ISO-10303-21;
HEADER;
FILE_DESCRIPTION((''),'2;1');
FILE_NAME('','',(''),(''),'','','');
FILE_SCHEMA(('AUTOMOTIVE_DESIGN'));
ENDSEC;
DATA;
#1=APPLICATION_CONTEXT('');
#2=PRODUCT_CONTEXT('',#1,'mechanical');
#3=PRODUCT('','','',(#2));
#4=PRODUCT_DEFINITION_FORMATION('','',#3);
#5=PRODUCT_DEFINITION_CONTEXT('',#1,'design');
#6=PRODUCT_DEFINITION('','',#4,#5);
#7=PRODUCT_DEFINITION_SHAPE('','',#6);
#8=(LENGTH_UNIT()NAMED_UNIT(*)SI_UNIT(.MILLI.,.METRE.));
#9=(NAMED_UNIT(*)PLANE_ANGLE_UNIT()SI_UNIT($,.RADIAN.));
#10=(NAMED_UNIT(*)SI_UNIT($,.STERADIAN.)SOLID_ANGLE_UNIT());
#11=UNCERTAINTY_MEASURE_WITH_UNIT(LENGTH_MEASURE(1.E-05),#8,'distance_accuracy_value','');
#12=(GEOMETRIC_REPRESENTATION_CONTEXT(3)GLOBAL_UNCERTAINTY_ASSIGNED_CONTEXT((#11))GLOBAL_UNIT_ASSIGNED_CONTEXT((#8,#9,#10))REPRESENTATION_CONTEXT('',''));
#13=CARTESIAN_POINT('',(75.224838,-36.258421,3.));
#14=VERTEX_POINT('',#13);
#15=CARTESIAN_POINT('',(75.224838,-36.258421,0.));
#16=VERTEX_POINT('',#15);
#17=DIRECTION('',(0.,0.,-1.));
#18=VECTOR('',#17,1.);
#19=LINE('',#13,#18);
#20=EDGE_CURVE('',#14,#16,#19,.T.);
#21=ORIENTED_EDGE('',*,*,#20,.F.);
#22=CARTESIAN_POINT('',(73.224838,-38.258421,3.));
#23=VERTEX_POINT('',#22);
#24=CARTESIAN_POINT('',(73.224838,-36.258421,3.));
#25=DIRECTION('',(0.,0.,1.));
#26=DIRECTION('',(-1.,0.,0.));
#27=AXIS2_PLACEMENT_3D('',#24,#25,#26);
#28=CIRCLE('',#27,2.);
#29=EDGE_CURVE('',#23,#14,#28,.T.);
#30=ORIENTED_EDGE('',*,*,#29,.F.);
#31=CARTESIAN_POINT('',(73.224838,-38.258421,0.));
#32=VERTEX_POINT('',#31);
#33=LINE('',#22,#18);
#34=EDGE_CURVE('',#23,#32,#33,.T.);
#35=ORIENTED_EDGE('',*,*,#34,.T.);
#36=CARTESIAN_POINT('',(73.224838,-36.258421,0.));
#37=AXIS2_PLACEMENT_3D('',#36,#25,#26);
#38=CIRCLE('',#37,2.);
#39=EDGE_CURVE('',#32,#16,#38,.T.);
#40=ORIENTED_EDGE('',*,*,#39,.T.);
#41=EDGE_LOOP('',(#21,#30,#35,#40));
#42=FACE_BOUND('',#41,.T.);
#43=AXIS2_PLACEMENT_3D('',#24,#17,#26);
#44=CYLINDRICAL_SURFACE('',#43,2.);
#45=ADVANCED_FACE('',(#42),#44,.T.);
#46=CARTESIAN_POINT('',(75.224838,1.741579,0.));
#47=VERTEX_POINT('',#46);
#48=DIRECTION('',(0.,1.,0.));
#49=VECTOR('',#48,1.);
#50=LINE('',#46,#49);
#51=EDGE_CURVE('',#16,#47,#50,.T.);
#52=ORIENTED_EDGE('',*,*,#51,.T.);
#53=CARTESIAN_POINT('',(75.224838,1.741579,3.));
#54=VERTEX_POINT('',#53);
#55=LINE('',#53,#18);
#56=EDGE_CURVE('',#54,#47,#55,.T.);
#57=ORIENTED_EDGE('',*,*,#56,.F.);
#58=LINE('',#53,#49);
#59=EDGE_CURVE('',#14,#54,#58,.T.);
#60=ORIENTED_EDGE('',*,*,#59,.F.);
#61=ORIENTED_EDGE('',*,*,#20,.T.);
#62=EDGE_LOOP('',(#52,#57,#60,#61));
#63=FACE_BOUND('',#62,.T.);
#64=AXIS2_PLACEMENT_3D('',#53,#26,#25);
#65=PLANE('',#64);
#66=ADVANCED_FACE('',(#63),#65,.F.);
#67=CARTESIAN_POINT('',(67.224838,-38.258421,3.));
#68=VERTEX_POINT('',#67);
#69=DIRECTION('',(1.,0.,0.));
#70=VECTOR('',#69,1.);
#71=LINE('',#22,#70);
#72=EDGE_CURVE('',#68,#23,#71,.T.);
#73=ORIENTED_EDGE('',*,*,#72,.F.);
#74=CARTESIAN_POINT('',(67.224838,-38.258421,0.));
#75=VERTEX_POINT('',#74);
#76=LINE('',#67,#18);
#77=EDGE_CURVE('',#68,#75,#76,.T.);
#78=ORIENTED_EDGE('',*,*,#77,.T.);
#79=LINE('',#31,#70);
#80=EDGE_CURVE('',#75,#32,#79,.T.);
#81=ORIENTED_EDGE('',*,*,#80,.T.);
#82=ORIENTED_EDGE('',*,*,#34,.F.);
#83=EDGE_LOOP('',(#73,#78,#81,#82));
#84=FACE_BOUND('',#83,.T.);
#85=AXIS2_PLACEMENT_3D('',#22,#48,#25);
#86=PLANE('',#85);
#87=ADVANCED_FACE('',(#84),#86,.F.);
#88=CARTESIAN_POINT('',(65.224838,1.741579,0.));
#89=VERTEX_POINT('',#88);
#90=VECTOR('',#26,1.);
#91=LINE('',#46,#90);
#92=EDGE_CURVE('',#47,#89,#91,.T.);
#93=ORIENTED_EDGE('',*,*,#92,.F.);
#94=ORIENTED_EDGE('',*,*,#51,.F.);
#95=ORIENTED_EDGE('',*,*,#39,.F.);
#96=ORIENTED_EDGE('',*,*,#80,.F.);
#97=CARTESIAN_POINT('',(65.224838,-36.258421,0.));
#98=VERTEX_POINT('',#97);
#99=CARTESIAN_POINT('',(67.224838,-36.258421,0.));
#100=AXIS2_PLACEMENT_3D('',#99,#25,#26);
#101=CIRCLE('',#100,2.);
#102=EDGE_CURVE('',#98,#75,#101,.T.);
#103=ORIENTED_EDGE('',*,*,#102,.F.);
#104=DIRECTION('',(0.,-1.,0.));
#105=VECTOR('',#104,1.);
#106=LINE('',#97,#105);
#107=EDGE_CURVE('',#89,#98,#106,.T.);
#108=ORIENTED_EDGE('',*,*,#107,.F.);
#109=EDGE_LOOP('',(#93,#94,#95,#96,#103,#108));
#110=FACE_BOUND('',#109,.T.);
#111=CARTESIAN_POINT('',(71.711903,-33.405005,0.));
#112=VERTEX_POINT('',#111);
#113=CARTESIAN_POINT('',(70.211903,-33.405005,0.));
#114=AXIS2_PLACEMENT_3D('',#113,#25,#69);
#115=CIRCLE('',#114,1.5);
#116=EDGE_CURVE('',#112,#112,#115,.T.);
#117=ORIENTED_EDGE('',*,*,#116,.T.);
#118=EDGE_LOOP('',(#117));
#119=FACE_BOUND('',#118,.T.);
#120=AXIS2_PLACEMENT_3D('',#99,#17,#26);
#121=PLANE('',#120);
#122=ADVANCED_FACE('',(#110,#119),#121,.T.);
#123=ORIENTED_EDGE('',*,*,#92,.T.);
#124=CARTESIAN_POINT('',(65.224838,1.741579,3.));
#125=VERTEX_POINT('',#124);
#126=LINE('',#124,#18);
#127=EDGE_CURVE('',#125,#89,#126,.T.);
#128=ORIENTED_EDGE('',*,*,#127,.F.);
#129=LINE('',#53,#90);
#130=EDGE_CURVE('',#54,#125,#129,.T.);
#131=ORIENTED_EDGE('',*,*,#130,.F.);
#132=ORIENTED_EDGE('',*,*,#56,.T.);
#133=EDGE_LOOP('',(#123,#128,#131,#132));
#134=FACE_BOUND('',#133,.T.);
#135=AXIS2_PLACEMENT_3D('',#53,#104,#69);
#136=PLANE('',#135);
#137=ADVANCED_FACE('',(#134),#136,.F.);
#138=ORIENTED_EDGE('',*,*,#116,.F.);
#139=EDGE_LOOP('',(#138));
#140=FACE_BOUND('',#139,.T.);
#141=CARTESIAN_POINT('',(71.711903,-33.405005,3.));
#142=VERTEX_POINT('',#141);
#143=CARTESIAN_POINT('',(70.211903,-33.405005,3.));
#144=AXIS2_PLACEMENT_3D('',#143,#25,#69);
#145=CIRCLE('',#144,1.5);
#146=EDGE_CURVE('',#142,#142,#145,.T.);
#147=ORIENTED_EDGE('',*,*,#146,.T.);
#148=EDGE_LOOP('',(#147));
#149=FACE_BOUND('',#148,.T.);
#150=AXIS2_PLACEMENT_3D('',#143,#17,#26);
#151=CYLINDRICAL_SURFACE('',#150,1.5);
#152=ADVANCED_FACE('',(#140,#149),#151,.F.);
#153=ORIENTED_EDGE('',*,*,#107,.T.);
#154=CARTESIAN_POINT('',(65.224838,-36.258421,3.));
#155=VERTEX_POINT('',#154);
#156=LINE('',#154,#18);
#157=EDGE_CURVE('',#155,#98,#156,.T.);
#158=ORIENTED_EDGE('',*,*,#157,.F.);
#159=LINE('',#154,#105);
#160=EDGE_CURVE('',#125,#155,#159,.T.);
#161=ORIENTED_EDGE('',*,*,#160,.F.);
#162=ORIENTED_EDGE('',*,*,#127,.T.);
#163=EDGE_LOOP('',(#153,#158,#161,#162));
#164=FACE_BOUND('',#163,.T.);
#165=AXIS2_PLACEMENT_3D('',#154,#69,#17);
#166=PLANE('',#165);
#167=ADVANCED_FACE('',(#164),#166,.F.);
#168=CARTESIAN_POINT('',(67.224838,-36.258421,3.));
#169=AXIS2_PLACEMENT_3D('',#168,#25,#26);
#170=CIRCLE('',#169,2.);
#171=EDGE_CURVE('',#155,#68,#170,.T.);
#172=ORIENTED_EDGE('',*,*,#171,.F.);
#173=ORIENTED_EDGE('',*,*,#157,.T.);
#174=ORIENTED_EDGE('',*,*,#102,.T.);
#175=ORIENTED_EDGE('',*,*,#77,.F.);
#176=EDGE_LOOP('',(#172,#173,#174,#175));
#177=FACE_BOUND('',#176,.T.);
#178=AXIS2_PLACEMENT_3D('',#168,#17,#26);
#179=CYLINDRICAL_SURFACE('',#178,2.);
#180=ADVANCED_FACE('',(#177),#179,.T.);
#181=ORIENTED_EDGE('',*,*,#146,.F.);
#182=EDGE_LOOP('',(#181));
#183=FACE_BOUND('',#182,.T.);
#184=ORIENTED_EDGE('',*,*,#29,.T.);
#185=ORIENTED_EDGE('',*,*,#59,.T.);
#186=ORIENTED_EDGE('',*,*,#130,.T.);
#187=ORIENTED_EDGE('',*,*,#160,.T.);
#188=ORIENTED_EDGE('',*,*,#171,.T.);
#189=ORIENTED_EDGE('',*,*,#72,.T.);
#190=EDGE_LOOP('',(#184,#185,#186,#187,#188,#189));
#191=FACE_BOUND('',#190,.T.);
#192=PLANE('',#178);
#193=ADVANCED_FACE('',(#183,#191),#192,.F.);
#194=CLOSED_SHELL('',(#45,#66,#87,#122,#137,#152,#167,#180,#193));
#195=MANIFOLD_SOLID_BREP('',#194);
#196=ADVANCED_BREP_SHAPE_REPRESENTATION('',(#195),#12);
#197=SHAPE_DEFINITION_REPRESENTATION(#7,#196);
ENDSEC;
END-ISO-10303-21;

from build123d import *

# Parameters (mm, degrees)
SKETCH1_R           = 1.5
BOSS_EXTRUDE1_DEPTH = 3


with BuildPart() as part:
    # Sketch1 → Boss-Extrude1 (new body)
    with BuildSketch(Plane.XY):
        with BuildLine():
            Line((75.224838359, 1.741579383), (65.224838359, 1.741579383))
            Line((65.224838359, 1.741579383), (65.224838359, -36.258420617))
            ThreePointArc((65.224838359, -36.258420617), (65.810624797, -37.672634179), (67.224838359, -38.258420617))
            Line((67.224838359, -38.258420617), (73.224838359, -38.258420617))
            ThreePointArc((73.224838359, -38.258420617), (74.639051921, -37.672634179), (75.224838359, -36.258420617))
            Line((75.224838359, -36.258420617), (75.224838359, 1.741579383))
        make_face()
        with Locations((70.211902805, -33.405004849)):
            Circle(SKETCH1_R, mode=Mode.SUBTRACT)
    extrude(amount=BOSS_EXTRUDE1_DEPTH)


solid = part.part
